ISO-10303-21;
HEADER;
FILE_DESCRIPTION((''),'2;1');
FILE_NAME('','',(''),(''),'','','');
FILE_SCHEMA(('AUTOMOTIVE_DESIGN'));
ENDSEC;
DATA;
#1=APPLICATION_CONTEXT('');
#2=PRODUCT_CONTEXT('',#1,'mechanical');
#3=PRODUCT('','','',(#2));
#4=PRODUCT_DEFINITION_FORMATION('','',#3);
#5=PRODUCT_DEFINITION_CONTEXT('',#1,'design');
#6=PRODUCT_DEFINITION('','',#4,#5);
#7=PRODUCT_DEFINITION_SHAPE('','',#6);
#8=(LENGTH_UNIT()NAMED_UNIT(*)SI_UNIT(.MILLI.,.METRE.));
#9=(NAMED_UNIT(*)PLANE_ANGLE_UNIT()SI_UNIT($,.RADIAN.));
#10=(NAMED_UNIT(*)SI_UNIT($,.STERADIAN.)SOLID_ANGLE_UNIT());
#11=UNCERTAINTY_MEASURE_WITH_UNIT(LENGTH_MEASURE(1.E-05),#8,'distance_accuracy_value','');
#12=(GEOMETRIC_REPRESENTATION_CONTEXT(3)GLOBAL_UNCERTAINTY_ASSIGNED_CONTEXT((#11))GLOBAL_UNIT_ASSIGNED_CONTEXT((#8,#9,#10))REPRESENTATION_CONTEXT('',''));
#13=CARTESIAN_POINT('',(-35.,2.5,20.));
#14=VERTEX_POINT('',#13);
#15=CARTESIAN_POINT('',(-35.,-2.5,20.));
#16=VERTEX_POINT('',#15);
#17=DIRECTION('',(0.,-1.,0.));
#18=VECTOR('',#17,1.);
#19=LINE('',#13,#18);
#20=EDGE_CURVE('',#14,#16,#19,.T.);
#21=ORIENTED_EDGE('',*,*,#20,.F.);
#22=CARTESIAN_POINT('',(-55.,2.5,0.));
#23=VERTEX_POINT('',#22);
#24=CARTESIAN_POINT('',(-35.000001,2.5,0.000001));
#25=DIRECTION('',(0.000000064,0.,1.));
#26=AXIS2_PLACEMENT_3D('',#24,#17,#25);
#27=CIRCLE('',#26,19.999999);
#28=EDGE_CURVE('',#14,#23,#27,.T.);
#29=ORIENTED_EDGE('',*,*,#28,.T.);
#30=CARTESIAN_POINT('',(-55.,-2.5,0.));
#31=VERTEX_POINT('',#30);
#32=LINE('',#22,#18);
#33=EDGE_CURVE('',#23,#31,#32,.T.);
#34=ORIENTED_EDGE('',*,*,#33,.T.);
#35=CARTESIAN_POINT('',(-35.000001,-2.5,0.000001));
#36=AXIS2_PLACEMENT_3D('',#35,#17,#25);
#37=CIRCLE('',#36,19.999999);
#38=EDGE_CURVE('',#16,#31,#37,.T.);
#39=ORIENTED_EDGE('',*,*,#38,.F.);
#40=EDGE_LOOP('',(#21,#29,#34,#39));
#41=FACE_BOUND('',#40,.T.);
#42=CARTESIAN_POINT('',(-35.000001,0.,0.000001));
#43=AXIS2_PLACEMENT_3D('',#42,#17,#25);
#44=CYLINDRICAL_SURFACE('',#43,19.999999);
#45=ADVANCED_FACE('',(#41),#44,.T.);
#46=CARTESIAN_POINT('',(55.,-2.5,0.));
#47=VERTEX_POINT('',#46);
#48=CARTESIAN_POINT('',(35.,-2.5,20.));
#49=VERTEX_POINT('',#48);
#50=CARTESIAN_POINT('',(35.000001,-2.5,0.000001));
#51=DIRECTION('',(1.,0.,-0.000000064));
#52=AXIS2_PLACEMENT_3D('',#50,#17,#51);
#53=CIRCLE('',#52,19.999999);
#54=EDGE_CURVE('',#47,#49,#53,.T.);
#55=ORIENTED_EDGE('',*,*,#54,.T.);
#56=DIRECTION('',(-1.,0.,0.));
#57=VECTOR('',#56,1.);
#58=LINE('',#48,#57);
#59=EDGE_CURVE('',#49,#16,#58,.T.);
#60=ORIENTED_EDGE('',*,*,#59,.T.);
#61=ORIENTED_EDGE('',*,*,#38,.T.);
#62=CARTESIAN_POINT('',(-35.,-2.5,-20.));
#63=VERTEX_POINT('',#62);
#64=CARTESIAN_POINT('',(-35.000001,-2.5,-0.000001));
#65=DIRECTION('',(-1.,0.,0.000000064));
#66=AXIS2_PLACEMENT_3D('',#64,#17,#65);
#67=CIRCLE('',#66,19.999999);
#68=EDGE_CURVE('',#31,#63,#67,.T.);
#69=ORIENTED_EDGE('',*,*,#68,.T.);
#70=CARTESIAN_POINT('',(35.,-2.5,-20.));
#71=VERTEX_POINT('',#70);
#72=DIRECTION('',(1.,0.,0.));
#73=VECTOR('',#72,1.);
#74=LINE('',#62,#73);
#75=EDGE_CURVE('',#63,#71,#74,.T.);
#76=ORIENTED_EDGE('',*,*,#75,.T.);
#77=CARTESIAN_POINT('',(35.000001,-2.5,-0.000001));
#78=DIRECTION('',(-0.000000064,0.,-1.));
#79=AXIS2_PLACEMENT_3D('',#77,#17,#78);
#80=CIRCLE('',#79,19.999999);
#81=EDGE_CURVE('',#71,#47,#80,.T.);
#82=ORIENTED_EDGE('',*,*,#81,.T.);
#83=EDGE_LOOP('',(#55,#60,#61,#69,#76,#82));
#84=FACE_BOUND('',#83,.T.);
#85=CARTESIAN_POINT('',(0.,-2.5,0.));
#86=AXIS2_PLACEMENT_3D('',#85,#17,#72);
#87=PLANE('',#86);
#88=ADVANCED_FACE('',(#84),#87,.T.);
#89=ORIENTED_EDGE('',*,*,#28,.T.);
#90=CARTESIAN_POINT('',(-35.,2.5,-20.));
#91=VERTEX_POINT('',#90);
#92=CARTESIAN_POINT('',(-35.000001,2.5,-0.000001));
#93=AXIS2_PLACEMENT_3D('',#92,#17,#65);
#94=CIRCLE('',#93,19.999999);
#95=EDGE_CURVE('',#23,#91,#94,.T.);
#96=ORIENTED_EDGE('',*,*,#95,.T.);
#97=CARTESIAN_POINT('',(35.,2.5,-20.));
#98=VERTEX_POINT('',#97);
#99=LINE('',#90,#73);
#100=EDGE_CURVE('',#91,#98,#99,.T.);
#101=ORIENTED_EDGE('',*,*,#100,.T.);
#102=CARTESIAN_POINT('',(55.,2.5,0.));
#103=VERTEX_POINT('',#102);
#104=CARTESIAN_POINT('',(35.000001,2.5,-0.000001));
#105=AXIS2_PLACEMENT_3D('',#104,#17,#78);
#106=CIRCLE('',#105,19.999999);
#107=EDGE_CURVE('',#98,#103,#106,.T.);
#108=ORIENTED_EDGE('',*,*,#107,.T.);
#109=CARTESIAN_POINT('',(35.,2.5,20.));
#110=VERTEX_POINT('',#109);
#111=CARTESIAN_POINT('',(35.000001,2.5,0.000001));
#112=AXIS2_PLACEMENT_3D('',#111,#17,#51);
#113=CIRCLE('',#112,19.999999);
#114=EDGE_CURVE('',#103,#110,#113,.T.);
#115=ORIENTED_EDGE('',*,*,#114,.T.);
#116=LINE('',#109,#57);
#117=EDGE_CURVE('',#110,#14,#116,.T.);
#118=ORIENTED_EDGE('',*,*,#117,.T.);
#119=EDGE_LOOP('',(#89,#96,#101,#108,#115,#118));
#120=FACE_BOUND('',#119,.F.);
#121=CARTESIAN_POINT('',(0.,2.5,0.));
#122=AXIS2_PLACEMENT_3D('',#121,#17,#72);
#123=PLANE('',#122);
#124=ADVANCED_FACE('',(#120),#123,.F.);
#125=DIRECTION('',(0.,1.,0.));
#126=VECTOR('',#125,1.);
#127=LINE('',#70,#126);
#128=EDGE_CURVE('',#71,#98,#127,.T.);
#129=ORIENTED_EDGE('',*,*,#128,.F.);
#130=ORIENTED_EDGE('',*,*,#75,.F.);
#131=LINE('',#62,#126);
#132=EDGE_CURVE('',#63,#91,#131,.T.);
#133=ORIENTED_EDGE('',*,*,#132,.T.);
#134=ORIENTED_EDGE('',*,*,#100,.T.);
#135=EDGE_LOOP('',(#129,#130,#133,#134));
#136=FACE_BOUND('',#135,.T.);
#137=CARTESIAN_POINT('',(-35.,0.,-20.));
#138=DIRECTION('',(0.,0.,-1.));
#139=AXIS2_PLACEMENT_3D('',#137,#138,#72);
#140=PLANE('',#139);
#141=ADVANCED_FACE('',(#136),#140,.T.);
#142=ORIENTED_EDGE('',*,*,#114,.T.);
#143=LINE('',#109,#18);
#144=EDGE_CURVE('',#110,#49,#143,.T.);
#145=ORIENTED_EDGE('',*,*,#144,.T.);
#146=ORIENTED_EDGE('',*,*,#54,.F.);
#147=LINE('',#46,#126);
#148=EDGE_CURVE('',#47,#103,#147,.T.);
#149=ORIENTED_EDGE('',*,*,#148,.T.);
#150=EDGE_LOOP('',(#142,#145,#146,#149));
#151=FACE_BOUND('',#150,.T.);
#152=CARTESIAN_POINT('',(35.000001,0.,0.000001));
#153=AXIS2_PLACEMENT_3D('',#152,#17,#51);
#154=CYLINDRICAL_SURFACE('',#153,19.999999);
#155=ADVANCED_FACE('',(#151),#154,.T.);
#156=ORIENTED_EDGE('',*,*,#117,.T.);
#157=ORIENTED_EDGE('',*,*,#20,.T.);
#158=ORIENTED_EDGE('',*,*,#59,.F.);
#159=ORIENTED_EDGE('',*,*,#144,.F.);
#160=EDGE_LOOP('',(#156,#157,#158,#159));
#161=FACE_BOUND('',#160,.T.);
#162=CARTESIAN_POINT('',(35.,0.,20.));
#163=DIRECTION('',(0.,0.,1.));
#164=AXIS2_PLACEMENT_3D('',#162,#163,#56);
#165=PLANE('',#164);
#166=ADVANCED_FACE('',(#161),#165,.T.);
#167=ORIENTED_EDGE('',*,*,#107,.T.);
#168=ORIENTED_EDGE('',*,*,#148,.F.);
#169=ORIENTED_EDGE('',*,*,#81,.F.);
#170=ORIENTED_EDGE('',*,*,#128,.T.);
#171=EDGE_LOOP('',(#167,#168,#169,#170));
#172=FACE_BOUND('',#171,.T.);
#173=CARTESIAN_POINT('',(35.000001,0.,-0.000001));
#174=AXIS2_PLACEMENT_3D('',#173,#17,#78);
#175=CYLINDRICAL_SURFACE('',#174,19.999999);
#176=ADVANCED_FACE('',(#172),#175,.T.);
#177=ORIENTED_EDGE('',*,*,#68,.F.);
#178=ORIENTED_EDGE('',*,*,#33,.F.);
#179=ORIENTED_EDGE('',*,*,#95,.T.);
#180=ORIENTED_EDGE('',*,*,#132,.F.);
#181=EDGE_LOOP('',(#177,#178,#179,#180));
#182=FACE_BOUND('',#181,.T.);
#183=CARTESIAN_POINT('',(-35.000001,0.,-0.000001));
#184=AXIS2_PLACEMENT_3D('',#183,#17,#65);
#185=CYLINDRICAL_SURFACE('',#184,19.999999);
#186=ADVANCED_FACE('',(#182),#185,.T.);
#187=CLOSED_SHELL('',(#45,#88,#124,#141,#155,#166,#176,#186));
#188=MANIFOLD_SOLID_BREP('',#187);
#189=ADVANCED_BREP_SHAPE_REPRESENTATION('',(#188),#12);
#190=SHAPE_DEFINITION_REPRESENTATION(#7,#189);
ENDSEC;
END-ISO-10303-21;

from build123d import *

# Parameters (mm, degrees)
F0_R     = 12.5
F1_DEPTH = 2.5


with BuildPart() as f1:
    # F0 (on Front) → F1 (new body, symmetric)
    with BuildSketch(Plane.XZ):
        with BuildLine():
            ThreePointArc((55, 0), (49.142136, 14.142136), (35, 20))
            Line((35, 20), (-35, 20))
            ThreePointArc((-35, 20), (-49.142136, 14.142136), (-55, 0))
            ThreePointArc((-55, 0), (-49.142136, -14.142136), (-35, -20))
            Line((-35, -20), (35, -20))
            ThreePointArc((35, -20), (49.142136, -14.142136), (55, 0))
        make_face()
        with Locations((35, 0)):
            Circle(F0_R, mode=Mode.SUBTRACT)
        with Locations((35, 0)):
            Circle(F0_R)
    extrude(amount=F1_DEPTH, both=True)


solid = f1.part
